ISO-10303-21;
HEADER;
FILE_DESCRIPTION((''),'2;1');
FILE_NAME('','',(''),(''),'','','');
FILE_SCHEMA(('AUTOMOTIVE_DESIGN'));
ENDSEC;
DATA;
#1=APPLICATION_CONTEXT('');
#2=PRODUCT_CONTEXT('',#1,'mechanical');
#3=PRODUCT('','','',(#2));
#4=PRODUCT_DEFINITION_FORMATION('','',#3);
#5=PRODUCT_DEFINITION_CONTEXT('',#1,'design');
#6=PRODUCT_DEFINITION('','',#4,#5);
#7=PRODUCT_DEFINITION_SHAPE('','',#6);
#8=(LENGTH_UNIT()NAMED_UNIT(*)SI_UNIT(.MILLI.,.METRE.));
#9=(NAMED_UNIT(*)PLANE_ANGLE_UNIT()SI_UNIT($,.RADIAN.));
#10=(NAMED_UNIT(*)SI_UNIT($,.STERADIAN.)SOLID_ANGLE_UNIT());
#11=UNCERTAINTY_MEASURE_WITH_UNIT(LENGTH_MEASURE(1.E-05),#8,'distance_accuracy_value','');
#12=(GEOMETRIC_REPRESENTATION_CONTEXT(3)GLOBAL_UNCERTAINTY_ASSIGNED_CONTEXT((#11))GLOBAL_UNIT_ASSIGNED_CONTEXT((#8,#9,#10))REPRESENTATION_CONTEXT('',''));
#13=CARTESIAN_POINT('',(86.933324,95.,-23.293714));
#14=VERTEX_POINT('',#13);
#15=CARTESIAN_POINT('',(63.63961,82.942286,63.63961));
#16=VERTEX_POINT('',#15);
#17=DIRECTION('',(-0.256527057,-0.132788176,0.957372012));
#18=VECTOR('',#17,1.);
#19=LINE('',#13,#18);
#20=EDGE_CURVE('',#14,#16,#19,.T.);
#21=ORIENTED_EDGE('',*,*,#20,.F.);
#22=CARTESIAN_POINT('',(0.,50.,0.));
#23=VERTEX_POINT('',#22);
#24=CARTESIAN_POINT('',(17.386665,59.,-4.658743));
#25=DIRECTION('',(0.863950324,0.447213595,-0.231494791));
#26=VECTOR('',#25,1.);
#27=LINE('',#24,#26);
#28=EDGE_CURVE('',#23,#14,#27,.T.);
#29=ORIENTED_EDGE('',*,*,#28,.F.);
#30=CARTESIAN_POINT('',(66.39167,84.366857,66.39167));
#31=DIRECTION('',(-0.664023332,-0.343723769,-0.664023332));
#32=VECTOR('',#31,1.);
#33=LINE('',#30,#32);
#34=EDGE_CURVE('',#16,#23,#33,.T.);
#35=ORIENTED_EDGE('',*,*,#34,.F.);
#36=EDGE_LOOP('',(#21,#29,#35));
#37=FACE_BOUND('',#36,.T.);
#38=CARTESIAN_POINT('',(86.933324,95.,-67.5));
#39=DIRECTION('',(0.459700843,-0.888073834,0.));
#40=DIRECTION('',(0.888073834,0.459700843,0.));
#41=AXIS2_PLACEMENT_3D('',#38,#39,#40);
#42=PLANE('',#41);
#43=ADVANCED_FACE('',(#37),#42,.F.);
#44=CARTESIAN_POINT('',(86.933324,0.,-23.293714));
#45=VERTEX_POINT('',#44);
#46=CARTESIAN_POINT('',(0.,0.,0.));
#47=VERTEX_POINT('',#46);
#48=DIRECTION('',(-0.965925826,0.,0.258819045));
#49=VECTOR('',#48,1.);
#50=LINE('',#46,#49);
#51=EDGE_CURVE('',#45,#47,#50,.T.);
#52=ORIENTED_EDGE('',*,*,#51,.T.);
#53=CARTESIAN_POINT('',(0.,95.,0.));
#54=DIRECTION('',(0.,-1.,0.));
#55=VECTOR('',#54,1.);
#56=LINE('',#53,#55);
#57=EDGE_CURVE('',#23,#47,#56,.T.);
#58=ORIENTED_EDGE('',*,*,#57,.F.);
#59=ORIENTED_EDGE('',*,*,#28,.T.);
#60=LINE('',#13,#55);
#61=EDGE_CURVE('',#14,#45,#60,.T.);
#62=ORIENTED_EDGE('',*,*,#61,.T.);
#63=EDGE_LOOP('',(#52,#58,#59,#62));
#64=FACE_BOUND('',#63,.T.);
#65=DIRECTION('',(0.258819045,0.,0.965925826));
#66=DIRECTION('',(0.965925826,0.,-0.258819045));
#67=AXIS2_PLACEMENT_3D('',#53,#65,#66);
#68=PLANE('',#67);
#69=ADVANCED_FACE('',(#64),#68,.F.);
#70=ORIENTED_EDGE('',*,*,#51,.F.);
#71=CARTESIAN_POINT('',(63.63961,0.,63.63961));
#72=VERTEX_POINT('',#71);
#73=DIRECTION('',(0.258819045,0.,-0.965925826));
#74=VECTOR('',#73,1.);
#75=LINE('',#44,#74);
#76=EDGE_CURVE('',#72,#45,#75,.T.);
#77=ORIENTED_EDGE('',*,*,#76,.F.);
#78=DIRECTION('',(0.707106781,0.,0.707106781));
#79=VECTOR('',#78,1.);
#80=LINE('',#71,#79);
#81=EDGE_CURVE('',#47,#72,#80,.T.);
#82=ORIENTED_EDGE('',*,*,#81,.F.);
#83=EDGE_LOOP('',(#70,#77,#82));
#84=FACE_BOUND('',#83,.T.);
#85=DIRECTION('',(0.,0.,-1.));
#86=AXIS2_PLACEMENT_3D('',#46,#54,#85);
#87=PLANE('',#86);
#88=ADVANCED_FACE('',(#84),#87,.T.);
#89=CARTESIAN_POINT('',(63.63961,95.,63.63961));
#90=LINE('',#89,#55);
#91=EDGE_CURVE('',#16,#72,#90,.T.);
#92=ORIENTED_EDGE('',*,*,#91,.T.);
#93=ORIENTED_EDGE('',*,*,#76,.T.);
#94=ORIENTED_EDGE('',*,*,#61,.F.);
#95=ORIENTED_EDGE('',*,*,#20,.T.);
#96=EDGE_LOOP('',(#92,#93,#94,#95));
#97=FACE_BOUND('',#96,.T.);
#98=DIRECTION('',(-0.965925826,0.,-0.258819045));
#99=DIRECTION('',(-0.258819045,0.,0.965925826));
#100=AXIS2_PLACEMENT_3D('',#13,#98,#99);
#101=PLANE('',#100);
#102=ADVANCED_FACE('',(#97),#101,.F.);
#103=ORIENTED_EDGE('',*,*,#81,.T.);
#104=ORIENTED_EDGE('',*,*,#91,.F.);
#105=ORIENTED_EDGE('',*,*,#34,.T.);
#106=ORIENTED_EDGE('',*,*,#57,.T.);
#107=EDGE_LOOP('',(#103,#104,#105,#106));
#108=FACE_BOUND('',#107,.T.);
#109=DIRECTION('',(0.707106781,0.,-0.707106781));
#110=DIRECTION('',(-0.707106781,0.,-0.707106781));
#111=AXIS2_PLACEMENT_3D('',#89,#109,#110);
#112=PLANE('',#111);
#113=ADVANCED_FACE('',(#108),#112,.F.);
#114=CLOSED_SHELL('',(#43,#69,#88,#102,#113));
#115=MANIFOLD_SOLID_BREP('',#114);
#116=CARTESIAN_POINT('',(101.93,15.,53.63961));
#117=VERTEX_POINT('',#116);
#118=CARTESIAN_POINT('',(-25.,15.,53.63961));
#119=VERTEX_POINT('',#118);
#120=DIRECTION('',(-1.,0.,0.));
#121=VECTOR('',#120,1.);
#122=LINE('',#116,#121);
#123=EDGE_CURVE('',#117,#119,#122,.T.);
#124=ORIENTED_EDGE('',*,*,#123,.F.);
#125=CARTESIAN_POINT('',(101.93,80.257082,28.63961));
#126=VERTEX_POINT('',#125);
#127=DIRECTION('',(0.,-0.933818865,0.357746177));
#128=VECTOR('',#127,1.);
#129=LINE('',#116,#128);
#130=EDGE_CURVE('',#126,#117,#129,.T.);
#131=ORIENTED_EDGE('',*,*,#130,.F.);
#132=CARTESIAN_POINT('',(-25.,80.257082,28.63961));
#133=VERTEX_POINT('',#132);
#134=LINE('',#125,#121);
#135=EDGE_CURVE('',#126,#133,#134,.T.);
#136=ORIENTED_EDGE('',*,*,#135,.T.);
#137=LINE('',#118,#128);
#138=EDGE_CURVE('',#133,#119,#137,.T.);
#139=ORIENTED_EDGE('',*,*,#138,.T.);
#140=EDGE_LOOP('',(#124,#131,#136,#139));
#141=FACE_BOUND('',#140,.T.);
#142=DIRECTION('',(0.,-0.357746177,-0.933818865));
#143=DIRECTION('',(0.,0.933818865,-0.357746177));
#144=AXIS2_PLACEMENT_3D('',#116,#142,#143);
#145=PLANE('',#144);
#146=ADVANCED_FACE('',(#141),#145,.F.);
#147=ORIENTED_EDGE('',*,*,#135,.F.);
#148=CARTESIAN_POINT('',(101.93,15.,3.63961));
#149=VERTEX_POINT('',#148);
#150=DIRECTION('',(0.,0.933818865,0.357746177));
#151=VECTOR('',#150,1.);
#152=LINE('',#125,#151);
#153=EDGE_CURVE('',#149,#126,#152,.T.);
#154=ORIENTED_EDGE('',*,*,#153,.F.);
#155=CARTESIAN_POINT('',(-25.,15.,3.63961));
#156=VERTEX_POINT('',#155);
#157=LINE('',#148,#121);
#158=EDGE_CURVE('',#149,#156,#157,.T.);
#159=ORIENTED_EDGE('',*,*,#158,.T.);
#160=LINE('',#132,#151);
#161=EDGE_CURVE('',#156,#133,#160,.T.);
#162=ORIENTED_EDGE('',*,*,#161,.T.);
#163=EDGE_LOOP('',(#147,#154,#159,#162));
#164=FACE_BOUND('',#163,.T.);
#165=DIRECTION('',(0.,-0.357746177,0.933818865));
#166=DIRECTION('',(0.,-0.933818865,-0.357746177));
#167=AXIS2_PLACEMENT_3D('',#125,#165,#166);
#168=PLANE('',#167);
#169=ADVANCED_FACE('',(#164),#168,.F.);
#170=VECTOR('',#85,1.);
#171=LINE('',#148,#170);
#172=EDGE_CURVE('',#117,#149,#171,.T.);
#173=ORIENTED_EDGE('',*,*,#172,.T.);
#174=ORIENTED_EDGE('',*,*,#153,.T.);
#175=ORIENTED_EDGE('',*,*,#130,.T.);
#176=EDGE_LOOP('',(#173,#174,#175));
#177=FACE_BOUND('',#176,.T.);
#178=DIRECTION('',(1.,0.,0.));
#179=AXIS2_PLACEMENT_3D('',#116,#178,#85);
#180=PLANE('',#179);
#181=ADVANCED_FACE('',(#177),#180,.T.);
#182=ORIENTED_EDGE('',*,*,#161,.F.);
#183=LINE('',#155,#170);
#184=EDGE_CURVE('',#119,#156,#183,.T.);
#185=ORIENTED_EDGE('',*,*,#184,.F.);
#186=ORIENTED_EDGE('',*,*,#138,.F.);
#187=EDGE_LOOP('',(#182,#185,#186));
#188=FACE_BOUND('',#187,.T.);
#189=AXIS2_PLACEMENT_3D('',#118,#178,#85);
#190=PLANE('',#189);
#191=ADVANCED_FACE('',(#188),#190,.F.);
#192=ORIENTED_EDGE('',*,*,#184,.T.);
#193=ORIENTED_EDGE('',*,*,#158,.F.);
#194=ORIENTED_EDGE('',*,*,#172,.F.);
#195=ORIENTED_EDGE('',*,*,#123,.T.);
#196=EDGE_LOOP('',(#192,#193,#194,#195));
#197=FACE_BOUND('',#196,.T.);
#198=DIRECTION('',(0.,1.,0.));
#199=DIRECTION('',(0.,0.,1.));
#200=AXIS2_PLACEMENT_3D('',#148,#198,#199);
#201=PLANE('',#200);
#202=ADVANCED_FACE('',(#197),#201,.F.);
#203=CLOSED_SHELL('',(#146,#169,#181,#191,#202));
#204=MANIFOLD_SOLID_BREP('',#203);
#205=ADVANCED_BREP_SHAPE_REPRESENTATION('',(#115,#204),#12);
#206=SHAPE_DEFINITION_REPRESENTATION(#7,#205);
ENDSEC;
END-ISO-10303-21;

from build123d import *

# Parameters (mm, degrees)
EXTRUDE1_DEPTH      = 95
CUT_EXTRUDE1_DEPTH  = 67.5
EXTRUDE2_DEPTH      = 101.93
EXTRUDE2_DEPTH_BACK = 25


with BuildPart() as part:
    # Sketch1 → Extrude1 (new body)
    with BuildSketch(Plane(origin=(0, 0, 0), x_dir=(1, 0, 0), z_dir=(0, 1, 0))):
        Polygon((0, 0), (86.933324366, 23.293714059), (63.639610307, -63.639610307), align=None)
    extrude(amount=EXTRUDE1_DEPTH)

    # Sketch2 → Cut-Extrude1 (cut, symmetric)
    with BuildSketch(Plane.XY):
        Polygon((86.933324366, 95), (0, 50), (0, 95), align=None)
    extrude(amount=CUT_EXTRUDE1_DEPTH, both=True, mode=Mode.SUBTRACT)


with BuildPart() as body_2:
    # Sketch3 → Extrude2 (new body, two sides)
    with BuildSketch(Plane(origin=(0, 0, 0), x_dir=(0, 0, -1), z_dir=(1, 0, 0))) as extrude2_sk:
        Polygon((-28.639610307, 80.257082111), (-3.639610307, 15), (-53.639610307, 15), align=None)
    extrude(amount=EXTRUDE2_DEPTH)
    extrude(extrude2_sk.sketch, amount=-EXTRUDE2_DEPTH_BACK)


solid = Compound([part.part, body_2.part])
